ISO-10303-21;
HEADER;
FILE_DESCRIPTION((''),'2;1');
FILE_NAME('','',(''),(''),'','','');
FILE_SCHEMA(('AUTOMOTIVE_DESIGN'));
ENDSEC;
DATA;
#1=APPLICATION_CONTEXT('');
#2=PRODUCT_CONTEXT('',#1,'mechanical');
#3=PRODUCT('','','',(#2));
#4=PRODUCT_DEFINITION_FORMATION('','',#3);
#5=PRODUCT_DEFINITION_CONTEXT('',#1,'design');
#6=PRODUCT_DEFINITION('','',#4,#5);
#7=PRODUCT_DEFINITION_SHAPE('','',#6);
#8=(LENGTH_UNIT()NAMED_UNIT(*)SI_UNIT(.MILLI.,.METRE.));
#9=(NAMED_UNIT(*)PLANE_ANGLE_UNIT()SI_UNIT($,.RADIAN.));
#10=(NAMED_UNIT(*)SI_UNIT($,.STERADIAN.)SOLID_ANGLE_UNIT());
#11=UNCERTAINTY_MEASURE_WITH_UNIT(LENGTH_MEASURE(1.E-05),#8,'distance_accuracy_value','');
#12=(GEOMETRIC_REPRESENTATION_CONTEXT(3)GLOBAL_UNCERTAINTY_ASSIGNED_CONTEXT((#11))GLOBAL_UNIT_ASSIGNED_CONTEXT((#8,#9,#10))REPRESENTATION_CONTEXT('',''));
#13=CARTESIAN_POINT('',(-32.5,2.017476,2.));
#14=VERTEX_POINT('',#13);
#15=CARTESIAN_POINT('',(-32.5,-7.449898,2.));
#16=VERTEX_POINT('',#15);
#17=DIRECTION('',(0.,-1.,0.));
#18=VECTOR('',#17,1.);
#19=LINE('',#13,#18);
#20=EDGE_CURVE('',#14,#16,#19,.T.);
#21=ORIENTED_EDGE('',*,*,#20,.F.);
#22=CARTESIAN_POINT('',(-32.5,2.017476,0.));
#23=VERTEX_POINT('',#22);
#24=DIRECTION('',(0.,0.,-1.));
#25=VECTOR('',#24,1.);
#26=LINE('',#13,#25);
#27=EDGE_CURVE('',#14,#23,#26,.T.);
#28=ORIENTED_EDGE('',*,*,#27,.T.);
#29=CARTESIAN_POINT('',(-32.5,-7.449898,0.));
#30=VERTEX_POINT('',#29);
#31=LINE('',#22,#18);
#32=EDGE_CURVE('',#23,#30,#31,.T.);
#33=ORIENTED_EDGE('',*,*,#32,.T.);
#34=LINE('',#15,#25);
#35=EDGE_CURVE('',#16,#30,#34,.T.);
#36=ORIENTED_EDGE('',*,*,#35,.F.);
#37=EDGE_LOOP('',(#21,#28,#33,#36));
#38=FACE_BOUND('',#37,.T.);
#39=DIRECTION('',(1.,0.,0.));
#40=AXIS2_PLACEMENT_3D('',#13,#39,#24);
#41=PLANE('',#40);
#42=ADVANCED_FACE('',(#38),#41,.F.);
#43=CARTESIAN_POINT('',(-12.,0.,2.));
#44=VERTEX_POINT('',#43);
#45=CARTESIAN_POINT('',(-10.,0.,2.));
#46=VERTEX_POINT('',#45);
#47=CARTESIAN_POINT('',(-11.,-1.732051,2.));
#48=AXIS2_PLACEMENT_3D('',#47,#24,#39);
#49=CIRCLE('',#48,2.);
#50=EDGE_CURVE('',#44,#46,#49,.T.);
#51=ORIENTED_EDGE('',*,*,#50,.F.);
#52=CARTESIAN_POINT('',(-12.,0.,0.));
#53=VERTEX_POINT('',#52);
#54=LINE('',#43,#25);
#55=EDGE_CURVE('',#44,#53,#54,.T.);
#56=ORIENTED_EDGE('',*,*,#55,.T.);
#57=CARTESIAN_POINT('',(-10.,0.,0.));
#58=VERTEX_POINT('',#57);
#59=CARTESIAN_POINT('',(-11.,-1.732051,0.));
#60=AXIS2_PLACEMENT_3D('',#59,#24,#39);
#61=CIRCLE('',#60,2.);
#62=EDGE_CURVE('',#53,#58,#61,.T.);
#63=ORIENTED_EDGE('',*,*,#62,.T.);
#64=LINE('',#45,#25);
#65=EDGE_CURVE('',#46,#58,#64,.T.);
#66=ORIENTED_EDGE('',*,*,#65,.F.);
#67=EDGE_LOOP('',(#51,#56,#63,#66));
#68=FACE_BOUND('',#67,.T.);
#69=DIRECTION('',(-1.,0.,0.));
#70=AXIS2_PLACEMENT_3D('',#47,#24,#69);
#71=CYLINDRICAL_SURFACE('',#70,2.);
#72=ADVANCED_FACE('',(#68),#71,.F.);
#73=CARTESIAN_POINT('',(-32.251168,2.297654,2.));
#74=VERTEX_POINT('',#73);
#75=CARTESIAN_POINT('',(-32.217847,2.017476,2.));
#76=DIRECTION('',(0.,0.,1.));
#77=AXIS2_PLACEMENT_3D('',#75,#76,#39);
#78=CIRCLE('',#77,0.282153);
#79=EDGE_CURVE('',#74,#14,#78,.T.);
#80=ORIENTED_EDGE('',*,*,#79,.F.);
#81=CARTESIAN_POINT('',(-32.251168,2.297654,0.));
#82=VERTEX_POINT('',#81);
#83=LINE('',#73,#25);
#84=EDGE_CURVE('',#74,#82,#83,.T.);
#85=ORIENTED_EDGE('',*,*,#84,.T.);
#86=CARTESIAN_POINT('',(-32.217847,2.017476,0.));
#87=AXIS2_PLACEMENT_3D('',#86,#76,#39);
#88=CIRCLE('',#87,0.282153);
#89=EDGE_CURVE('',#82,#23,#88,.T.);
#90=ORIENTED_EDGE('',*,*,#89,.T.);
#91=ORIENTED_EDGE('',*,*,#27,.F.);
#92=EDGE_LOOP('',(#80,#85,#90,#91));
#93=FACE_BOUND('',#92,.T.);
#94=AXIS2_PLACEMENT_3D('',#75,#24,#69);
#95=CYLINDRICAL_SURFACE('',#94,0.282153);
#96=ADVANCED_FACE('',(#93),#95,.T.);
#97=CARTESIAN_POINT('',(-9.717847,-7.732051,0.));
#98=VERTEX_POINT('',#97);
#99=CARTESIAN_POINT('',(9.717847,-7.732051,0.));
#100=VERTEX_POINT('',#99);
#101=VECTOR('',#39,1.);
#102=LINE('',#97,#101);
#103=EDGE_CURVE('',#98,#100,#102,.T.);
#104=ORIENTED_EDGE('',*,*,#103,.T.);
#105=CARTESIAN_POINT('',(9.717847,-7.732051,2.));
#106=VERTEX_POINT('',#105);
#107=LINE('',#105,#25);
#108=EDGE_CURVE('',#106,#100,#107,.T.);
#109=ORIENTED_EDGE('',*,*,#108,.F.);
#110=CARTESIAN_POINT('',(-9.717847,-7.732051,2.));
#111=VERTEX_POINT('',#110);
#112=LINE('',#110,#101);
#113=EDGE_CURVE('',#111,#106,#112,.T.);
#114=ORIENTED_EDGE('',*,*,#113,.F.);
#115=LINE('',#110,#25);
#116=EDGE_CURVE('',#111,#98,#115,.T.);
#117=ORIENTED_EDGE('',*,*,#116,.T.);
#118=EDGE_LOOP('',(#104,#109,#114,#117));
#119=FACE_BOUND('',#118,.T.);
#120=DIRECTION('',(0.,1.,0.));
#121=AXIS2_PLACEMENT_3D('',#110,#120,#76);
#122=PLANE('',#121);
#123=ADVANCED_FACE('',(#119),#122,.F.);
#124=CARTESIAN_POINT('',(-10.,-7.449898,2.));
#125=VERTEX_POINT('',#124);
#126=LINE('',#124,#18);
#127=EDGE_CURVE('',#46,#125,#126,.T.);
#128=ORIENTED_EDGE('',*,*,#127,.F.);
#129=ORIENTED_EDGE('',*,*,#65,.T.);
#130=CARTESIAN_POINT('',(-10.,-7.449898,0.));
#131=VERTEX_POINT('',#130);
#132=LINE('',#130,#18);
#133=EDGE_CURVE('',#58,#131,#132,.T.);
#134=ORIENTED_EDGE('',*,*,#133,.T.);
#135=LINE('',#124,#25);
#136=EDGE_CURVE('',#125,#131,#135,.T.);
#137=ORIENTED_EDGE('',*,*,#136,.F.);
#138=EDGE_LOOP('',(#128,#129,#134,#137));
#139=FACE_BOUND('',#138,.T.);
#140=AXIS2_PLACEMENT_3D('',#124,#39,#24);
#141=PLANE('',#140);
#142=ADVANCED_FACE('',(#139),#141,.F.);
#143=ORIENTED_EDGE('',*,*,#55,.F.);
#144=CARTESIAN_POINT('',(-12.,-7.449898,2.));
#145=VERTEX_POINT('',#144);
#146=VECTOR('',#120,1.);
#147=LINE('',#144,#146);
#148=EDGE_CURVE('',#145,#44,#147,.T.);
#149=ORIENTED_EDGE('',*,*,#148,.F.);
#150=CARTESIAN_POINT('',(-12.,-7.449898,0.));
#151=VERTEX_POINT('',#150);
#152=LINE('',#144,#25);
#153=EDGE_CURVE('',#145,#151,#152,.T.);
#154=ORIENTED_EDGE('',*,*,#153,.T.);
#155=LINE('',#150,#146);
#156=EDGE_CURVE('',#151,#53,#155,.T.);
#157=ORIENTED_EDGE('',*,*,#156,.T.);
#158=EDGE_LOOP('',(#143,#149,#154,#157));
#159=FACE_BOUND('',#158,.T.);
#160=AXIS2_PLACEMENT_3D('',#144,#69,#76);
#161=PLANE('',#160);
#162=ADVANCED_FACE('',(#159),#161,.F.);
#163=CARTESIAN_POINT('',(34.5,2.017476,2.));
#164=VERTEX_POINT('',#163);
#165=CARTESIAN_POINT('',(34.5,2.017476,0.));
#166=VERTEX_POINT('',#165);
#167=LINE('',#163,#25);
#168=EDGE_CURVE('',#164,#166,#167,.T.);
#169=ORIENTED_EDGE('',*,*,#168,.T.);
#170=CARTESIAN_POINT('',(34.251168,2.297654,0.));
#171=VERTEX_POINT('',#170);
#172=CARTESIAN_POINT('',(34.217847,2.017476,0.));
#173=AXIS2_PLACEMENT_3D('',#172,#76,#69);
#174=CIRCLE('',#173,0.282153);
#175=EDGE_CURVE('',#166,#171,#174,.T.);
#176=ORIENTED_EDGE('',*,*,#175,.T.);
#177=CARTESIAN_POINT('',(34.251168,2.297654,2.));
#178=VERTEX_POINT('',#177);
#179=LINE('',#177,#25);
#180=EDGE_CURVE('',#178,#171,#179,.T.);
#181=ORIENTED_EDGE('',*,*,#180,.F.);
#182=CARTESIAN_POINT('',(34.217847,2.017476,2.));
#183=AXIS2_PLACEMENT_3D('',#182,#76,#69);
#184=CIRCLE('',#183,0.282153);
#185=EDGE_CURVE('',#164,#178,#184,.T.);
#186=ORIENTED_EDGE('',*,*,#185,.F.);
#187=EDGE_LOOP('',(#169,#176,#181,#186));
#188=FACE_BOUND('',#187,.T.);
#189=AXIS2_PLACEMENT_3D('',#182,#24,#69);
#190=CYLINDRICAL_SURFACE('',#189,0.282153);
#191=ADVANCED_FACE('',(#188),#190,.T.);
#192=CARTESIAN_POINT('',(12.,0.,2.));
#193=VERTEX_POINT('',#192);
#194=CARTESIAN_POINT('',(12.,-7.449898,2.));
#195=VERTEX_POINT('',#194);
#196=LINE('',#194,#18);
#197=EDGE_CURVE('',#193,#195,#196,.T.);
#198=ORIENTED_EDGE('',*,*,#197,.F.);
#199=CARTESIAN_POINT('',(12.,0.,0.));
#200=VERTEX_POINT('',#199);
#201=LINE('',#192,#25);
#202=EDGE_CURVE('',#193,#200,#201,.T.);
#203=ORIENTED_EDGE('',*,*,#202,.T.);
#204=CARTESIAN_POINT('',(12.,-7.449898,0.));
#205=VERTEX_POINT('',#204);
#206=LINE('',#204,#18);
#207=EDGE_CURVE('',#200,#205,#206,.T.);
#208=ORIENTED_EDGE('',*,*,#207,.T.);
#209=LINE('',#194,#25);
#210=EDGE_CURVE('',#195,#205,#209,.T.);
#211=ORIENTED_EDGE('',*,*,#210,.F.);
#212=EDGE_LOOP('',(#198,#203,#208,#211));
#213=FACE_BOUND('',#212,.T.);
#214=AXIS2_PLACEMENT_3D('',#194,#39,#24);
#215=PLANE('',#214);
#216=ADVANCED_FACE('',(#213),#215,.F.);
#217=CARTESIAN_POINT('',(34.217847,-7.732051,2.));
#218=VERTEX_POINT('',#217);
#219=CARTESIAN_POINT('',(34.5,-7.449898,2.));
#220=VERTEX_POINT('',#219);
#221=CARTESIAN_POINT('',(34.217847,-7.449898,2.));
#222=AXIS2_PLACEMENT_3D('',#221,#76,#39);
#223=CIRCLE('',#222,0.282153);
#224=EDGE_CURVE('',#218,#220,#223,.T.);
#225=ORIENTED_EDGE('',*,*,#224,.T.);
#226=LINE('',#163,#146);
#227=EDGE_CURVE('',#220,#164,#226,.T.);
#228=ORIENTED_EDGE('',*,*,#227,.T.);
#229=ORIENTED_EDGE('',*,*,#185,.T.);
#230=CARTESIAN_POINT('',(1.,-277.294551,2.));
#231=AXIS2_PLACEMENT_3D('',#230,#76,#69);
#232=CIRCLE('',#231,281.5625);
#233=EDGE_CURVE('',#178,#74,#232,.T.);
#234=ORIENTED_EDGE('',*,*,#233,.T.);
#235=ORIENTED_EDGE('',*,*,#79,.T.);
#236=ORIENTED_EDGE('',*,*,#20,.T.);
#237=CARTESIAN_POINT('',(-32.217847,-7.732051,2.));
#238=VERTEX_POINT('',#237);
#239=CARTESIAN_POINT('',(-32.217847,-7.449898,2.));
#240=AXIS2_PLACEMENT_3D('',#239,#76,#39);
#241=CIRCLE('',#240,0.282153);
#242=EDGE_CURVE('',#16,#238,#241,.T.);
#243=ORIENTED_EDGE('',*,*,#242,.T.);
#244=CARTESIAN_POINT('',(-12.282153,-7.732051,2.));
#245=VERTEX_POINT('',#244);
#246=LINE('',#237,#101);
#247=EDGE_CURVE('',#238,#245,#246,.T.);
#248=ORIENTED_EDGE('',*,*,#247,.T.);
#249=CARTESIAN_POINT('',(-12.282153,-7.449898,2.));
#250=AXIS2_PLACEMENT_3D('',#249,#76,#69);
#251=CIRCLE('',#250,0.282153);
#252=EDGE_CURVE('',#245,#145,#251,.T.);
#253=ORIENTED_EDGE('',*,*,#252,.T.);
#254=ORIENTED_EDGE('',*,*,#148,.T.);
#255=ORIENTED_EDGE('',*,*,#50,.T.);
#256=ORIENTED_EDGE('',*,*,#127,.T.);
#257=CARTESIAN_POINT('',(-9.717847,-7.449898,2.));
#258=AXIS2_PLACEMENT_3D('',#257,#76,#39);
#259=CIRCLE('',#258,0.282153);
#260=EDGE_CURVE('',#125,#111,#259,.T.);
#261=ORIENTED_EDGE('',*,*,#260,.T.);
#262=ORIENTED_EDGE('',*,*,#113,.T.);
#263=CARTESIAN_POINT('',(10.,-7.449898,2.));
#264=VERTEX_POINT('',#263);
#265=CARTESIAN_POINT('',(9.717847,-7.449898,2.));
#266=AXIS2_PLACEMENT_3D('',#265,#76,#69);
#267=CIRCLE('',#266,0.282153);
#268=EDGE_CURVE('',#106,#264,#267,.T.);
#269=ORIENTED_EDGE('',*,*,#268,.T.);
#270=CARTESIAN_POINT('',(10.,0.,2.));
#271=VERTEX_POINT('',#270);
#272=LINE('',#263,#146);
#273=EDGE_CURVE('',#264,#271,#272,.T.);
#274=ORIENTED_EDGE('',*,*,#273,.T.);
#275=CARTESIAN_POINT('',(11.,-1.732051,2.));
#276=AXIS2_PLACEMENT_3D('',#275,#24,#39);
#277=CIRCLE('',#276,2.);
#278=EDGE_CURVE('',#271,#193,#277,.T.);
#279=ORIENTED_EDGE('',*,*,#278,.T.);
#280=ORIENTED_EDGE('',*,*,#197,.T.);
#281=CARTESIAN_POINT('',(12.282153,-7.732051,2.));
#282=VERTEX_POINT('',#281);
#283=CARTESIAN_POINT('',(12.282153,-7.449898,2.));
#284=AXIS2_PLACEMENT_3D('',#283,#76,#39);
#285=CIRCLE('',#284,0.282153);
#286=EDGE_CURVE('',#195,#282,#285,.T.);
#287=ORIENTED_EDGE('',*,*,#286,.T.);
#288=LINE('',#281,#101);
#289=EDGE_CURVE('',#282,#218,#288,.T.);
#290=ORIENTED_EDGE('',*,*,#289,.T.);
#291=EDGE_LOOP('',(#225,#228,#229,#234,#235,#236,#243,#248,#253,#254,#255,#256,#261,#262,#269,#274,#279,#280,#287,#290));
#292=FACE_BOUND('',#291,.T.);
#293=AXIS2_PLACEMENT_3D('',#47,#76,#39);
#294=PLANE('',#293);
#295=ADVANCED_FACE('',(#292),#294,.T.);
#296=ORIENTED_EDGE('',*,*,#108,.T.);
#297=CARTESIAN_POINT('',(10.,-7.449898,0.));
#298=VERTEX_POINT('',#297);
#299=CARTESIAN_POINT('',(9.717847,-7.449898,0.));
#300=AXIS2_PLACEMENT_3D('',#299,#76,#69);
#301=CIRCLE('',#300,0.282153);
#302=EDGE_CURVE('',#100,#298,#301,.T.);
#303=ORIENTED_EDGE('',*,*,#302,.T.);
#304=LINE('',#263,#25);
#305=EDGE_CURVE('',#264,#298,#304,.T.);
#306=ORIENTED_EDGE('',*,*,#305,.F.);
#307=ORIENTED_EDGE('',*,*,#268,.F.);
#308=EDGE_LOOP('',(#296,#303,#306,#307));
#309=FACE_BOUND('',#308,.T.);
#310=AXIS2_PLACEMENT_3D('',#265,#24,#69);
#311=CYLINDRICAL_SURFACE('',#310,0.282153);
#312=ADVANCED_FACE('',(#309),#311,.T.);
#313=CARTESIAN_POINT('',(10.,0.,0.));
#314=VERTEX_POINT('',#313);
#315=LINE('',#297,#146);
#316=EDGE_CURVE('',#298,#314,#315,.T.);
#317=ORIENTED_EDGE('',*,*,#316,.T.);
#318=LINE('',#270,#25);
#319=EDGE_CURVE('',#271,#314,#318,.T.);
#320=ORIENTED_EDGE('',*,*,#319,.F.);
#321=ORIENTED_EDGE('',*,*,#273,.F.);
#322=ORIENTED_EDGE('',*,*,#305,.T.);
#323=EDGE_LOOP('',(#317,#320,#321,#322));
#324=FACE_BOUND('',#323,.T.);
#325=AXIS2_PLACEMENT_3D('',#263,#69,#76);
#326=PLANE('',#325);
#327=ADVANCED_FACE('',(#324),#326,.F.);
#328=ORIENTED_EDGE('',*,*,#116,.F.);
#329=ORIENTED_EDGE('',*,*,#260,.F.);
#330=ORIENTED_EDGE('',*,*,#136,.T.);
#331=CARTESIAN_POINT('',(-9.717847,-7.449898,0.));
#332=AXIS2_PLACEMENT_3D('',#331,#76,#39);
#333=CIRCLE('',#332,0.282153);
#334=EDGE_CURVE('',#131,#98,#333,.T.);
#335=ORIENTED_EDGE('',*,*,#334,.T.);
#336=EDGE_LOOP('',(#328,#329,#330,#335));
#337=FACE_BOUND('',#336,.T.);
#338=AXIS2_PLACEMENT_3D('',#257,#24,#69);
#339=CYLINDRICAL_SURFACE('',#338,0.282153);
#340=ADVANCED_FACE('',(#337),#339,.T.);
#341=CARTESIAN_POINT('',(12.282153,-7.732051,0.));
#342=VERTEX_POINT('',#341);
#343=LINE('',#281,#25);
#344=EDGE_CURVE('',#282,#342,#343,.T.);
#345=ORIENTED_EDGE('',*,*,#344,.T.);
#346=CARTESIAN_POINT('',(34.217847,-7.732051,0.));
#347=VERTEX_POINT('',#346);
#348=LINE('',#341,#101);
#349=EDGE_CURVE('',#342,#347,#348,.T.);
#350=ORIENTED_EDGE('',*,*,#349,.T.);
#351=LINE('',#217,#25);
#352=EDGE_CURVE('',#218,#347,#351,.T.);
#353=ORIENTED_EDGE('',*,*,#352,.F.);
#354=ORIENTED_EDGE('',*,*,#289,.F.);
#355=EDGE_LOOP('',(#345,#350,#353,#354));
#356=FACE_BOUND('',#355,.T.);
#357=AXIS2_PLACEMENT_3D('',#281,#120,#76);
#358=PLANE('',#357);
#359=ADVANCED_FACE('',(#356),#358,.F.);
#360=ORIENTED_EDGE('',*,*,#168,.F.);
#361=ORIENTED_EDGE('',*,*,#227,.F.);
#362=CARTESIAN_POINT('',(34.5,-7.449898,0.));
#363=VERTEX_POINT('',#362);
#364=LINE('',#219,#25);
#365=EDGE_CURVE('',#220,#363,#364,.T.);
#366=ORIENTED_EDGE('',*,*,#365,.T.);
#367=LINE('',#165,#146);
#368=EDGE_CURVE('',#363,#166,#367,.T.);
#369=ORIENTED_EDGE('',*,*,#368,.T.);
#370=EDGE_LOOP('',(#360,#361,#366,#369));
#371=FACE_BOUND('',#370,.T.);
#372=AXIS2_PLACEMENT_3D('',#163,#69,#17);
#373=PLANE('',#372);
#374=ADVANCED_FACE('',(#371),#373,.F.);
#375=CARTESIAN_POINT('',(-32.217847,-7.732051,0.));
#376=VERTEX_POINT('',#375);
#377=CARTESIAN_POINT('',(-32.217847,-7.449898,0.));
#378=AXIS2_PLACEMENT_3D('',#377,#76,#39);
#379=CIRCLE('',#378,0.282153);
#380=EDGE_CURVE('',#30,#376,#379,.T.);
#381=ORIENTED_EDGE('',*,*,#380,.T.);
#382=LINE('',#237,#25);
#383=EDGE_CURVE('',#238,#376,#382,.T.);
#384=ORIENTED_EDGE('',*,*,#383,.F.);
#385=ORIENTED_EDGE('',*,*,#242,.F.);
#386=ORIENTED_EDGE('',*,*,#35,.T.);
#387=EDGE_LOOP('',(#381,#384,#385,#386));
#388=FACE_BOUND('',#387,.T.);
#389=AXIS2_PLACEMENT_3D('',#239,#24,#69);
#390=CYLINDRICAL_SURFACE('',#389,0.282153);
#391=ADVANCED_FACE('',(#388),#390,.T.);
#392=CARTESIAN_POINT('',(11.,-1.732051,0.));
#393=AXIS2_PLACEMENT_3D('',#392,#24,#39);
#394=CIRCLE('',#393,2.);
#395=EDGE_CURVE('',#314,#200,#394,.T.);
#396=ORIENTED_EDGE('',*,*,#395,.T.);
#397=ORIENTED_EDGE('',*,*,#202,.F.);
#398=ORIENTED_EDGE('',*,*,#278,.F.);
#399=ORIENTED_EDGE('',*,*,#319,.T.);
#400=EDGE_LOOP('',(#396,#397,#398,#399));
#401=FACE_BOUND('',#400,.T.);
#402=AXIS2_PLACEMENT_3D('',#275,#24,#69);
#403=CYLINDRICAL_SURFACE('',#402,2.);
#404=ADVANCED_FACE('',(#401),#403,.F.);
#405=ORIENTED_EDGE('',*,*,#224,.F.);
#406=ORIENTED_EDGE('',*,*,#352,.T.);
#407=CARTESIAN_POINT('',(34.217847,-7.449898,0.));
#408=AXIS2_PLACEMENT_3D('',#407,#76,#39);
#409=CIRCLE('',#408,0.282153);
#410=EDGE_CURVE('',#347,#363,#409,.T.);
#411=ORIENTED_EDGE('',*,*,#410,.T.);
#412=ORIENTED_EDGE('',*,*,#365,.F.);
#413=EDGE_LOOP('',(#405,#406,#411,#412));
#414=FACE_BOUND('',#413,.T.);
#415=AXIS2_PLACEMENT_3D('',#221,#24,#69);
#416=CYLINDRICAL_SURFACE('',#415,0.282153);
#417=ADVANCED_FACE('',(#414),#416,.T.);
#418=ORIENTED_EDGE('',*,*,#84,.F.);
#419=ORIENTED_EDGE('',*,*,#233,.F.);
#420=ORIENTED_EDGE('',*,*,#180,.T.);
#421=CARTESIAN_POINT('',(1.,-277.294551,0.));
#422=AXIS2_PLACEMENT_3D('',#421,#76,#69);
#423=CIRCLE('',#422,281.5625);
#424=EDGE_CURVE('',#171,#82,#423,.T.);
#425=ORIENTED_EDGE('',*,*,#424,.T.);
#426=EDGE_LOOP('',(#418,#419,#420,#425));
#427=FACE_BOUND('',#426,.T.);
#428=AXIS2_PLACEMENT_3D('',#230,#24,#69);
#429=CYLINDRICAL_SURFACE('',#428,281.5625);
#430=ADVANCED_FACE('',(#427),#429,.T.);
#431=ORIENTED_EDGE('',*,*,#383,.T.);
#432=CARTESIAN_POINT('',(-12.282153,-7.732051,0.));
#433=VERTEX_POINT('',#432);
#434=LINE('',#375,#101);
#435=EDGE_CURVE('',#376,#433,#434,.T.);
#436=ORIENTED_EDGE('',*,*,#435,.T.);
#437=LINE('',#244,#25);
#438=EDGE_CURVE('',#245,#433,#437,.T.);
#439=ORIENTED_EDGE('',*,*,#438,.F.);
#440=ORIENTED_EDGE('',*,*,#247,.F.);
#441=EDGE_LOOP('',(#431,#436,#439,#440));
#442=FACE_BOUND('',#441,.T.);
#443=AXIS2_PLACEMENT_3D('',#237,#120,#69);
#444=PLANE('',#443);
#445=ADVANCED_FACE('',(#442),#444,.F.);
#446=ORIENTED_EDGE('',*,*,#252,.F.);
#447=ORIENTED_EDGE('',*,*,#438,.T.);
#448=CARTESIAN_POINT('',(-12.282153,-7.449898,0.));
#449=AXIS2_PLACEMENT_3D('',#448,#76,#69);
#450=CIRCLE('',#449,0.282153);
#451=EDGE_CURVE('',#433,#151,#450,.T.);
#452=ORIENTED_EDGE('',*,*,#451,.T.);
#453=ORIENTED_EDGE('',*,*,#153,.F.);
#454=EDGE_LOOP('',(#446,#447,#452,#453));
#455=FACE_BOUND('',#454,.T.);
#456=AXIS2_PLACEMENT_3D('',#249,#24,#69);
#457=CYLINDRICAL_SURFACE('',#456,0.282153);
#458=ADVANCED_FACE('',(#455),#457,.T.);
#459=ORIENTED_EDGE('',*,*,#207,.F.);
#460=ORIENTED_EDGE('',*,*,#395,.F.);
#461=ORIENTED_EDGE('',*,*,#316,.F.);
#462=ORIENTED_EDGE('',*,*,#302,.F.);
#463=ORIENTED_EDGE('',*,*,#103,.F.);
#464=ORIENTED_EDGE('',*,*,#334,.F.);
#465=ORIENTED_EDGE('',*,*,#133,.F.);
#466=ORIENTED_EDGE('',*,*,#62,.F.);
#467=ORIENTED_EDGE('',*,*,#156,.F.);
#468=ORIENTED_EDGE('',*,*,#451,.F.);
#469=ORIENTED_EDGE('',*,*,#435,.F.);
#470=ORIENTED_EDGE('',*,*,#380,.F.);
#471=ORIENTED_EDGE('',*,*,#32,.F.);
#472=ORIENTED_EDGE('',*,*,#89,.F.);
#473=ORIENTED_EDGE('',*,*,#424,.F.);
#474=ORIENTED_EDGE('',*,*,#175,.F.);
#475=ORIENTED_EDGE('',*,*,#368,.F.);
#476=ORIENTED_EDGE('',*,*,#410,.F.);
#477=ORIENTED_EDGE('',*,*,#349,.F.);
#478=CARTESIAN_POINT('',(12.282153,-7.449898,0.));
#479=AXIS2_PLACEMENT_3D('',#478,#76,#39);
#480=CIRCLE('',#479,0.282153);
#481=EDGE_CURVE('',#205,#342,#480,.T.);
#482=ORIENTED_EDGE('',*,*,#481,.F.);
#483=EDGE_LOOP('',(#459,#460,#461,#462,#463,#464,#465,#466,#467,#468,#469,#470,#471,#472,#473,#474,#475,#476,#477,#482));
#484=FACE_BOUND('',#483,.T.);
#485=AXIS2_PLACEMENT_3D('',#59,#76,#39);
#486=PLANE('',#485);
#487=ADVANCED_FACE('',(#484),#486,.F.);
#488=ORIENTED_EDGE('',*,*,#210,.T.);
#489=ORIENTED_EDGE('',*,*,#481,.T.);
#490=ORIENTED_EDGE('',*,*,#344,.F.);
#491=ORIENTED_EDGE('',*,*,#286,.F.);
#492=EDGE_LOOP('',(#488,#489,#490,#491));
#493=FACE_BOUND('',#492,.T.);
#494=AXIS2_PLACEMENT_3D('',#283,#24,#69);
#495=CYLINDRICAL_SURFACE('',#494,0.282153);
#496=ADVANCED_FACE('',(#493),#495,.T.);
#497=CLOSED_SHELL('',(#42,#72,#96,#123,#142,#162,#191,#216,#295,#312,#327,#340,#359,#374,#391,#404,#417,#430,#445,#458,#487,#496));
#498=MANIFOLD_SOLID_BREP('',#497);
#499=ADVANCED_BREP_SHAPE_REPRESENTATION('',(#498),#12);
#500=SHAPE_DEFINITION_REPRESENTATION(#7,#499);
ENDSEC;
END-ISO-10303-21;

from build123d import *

# Parameters (mm, degrees)
RESSALTO_EXTRUS_O1_DEPTH = 2


with BuildPart() as part:
    # Esboço1 → Ressalto-extrusão1 (new body)
    with BuildSketch(Plane.XY):
        with BuildLine():
            Line((-9.717847221, -7.732050808), (9.717847221, -7.732050808))
            ThreePointArc((9.717847221, -7.732050808), (9.917359364, -7.649410172), (10, -7.449898029))
            Line((10, -7.449898029), (10, 0))
            ThreePointArc((10, 0), (11, 0.267949192), (12, 0))
            Line((12, 0), (12, -7.449898029))
            ThreePointArc((12, -7.449898029), (12.082640636, -7.649410172), (12.282152779, -7.732050808))
            Line((12.282152779, -7.732050808), (34.217847221, -7.732050808))
            ThreePointArc((34.217847221, -7.732050808), (34.417359364, -7.649410172), (34.5, -7.449898029))
            Line((34.5, -7.449898029), (34.5, 2.017476071))
            ThreePointArc((34.5, 2.017476071), (34.428811399, 2.204837503), (34.251168098, 2.297654424))
            ThreePointArc((34.251168098, 2.297654424), (1, 4.267949192), (-32.251168098, 2.297654424))
            ThreePointArc((-32.251168098, 2.297654424), (-32.428811399, 2.204837503), (-32.5, 2.017476071))
            Line((-32.5, 2.017476071), (-32.5, -7.449898029))
            ThreePointArc((-32.5, -7.449898029), (-32.417359364, -7.649410172), (-32.217847221, -7.732050808))
            Line((-32.217847221, -7.732050808), (-12.282152779, -7.732050808))
            ThreePointArc((-12.282152779, -7.732050808), (-12.082640636, -7.649410172), (-12, -7.449898029))
            Line((-12, -7.449898029), (-12, 0))
            ThreePointArc((-12, 0), (-11, 0.267949192), (-10, 0))
            Line((-10, 0), (-10, -7.449898029))
            ThreePointArc((-10, -7.449898029), (-9.917359364, -7.649410172), (-9.717847221, -7.732050808))
        make_face()
    extrude(amount=RESSALTO_EXTRUS_O1_DEPTH)


solid = part.part
